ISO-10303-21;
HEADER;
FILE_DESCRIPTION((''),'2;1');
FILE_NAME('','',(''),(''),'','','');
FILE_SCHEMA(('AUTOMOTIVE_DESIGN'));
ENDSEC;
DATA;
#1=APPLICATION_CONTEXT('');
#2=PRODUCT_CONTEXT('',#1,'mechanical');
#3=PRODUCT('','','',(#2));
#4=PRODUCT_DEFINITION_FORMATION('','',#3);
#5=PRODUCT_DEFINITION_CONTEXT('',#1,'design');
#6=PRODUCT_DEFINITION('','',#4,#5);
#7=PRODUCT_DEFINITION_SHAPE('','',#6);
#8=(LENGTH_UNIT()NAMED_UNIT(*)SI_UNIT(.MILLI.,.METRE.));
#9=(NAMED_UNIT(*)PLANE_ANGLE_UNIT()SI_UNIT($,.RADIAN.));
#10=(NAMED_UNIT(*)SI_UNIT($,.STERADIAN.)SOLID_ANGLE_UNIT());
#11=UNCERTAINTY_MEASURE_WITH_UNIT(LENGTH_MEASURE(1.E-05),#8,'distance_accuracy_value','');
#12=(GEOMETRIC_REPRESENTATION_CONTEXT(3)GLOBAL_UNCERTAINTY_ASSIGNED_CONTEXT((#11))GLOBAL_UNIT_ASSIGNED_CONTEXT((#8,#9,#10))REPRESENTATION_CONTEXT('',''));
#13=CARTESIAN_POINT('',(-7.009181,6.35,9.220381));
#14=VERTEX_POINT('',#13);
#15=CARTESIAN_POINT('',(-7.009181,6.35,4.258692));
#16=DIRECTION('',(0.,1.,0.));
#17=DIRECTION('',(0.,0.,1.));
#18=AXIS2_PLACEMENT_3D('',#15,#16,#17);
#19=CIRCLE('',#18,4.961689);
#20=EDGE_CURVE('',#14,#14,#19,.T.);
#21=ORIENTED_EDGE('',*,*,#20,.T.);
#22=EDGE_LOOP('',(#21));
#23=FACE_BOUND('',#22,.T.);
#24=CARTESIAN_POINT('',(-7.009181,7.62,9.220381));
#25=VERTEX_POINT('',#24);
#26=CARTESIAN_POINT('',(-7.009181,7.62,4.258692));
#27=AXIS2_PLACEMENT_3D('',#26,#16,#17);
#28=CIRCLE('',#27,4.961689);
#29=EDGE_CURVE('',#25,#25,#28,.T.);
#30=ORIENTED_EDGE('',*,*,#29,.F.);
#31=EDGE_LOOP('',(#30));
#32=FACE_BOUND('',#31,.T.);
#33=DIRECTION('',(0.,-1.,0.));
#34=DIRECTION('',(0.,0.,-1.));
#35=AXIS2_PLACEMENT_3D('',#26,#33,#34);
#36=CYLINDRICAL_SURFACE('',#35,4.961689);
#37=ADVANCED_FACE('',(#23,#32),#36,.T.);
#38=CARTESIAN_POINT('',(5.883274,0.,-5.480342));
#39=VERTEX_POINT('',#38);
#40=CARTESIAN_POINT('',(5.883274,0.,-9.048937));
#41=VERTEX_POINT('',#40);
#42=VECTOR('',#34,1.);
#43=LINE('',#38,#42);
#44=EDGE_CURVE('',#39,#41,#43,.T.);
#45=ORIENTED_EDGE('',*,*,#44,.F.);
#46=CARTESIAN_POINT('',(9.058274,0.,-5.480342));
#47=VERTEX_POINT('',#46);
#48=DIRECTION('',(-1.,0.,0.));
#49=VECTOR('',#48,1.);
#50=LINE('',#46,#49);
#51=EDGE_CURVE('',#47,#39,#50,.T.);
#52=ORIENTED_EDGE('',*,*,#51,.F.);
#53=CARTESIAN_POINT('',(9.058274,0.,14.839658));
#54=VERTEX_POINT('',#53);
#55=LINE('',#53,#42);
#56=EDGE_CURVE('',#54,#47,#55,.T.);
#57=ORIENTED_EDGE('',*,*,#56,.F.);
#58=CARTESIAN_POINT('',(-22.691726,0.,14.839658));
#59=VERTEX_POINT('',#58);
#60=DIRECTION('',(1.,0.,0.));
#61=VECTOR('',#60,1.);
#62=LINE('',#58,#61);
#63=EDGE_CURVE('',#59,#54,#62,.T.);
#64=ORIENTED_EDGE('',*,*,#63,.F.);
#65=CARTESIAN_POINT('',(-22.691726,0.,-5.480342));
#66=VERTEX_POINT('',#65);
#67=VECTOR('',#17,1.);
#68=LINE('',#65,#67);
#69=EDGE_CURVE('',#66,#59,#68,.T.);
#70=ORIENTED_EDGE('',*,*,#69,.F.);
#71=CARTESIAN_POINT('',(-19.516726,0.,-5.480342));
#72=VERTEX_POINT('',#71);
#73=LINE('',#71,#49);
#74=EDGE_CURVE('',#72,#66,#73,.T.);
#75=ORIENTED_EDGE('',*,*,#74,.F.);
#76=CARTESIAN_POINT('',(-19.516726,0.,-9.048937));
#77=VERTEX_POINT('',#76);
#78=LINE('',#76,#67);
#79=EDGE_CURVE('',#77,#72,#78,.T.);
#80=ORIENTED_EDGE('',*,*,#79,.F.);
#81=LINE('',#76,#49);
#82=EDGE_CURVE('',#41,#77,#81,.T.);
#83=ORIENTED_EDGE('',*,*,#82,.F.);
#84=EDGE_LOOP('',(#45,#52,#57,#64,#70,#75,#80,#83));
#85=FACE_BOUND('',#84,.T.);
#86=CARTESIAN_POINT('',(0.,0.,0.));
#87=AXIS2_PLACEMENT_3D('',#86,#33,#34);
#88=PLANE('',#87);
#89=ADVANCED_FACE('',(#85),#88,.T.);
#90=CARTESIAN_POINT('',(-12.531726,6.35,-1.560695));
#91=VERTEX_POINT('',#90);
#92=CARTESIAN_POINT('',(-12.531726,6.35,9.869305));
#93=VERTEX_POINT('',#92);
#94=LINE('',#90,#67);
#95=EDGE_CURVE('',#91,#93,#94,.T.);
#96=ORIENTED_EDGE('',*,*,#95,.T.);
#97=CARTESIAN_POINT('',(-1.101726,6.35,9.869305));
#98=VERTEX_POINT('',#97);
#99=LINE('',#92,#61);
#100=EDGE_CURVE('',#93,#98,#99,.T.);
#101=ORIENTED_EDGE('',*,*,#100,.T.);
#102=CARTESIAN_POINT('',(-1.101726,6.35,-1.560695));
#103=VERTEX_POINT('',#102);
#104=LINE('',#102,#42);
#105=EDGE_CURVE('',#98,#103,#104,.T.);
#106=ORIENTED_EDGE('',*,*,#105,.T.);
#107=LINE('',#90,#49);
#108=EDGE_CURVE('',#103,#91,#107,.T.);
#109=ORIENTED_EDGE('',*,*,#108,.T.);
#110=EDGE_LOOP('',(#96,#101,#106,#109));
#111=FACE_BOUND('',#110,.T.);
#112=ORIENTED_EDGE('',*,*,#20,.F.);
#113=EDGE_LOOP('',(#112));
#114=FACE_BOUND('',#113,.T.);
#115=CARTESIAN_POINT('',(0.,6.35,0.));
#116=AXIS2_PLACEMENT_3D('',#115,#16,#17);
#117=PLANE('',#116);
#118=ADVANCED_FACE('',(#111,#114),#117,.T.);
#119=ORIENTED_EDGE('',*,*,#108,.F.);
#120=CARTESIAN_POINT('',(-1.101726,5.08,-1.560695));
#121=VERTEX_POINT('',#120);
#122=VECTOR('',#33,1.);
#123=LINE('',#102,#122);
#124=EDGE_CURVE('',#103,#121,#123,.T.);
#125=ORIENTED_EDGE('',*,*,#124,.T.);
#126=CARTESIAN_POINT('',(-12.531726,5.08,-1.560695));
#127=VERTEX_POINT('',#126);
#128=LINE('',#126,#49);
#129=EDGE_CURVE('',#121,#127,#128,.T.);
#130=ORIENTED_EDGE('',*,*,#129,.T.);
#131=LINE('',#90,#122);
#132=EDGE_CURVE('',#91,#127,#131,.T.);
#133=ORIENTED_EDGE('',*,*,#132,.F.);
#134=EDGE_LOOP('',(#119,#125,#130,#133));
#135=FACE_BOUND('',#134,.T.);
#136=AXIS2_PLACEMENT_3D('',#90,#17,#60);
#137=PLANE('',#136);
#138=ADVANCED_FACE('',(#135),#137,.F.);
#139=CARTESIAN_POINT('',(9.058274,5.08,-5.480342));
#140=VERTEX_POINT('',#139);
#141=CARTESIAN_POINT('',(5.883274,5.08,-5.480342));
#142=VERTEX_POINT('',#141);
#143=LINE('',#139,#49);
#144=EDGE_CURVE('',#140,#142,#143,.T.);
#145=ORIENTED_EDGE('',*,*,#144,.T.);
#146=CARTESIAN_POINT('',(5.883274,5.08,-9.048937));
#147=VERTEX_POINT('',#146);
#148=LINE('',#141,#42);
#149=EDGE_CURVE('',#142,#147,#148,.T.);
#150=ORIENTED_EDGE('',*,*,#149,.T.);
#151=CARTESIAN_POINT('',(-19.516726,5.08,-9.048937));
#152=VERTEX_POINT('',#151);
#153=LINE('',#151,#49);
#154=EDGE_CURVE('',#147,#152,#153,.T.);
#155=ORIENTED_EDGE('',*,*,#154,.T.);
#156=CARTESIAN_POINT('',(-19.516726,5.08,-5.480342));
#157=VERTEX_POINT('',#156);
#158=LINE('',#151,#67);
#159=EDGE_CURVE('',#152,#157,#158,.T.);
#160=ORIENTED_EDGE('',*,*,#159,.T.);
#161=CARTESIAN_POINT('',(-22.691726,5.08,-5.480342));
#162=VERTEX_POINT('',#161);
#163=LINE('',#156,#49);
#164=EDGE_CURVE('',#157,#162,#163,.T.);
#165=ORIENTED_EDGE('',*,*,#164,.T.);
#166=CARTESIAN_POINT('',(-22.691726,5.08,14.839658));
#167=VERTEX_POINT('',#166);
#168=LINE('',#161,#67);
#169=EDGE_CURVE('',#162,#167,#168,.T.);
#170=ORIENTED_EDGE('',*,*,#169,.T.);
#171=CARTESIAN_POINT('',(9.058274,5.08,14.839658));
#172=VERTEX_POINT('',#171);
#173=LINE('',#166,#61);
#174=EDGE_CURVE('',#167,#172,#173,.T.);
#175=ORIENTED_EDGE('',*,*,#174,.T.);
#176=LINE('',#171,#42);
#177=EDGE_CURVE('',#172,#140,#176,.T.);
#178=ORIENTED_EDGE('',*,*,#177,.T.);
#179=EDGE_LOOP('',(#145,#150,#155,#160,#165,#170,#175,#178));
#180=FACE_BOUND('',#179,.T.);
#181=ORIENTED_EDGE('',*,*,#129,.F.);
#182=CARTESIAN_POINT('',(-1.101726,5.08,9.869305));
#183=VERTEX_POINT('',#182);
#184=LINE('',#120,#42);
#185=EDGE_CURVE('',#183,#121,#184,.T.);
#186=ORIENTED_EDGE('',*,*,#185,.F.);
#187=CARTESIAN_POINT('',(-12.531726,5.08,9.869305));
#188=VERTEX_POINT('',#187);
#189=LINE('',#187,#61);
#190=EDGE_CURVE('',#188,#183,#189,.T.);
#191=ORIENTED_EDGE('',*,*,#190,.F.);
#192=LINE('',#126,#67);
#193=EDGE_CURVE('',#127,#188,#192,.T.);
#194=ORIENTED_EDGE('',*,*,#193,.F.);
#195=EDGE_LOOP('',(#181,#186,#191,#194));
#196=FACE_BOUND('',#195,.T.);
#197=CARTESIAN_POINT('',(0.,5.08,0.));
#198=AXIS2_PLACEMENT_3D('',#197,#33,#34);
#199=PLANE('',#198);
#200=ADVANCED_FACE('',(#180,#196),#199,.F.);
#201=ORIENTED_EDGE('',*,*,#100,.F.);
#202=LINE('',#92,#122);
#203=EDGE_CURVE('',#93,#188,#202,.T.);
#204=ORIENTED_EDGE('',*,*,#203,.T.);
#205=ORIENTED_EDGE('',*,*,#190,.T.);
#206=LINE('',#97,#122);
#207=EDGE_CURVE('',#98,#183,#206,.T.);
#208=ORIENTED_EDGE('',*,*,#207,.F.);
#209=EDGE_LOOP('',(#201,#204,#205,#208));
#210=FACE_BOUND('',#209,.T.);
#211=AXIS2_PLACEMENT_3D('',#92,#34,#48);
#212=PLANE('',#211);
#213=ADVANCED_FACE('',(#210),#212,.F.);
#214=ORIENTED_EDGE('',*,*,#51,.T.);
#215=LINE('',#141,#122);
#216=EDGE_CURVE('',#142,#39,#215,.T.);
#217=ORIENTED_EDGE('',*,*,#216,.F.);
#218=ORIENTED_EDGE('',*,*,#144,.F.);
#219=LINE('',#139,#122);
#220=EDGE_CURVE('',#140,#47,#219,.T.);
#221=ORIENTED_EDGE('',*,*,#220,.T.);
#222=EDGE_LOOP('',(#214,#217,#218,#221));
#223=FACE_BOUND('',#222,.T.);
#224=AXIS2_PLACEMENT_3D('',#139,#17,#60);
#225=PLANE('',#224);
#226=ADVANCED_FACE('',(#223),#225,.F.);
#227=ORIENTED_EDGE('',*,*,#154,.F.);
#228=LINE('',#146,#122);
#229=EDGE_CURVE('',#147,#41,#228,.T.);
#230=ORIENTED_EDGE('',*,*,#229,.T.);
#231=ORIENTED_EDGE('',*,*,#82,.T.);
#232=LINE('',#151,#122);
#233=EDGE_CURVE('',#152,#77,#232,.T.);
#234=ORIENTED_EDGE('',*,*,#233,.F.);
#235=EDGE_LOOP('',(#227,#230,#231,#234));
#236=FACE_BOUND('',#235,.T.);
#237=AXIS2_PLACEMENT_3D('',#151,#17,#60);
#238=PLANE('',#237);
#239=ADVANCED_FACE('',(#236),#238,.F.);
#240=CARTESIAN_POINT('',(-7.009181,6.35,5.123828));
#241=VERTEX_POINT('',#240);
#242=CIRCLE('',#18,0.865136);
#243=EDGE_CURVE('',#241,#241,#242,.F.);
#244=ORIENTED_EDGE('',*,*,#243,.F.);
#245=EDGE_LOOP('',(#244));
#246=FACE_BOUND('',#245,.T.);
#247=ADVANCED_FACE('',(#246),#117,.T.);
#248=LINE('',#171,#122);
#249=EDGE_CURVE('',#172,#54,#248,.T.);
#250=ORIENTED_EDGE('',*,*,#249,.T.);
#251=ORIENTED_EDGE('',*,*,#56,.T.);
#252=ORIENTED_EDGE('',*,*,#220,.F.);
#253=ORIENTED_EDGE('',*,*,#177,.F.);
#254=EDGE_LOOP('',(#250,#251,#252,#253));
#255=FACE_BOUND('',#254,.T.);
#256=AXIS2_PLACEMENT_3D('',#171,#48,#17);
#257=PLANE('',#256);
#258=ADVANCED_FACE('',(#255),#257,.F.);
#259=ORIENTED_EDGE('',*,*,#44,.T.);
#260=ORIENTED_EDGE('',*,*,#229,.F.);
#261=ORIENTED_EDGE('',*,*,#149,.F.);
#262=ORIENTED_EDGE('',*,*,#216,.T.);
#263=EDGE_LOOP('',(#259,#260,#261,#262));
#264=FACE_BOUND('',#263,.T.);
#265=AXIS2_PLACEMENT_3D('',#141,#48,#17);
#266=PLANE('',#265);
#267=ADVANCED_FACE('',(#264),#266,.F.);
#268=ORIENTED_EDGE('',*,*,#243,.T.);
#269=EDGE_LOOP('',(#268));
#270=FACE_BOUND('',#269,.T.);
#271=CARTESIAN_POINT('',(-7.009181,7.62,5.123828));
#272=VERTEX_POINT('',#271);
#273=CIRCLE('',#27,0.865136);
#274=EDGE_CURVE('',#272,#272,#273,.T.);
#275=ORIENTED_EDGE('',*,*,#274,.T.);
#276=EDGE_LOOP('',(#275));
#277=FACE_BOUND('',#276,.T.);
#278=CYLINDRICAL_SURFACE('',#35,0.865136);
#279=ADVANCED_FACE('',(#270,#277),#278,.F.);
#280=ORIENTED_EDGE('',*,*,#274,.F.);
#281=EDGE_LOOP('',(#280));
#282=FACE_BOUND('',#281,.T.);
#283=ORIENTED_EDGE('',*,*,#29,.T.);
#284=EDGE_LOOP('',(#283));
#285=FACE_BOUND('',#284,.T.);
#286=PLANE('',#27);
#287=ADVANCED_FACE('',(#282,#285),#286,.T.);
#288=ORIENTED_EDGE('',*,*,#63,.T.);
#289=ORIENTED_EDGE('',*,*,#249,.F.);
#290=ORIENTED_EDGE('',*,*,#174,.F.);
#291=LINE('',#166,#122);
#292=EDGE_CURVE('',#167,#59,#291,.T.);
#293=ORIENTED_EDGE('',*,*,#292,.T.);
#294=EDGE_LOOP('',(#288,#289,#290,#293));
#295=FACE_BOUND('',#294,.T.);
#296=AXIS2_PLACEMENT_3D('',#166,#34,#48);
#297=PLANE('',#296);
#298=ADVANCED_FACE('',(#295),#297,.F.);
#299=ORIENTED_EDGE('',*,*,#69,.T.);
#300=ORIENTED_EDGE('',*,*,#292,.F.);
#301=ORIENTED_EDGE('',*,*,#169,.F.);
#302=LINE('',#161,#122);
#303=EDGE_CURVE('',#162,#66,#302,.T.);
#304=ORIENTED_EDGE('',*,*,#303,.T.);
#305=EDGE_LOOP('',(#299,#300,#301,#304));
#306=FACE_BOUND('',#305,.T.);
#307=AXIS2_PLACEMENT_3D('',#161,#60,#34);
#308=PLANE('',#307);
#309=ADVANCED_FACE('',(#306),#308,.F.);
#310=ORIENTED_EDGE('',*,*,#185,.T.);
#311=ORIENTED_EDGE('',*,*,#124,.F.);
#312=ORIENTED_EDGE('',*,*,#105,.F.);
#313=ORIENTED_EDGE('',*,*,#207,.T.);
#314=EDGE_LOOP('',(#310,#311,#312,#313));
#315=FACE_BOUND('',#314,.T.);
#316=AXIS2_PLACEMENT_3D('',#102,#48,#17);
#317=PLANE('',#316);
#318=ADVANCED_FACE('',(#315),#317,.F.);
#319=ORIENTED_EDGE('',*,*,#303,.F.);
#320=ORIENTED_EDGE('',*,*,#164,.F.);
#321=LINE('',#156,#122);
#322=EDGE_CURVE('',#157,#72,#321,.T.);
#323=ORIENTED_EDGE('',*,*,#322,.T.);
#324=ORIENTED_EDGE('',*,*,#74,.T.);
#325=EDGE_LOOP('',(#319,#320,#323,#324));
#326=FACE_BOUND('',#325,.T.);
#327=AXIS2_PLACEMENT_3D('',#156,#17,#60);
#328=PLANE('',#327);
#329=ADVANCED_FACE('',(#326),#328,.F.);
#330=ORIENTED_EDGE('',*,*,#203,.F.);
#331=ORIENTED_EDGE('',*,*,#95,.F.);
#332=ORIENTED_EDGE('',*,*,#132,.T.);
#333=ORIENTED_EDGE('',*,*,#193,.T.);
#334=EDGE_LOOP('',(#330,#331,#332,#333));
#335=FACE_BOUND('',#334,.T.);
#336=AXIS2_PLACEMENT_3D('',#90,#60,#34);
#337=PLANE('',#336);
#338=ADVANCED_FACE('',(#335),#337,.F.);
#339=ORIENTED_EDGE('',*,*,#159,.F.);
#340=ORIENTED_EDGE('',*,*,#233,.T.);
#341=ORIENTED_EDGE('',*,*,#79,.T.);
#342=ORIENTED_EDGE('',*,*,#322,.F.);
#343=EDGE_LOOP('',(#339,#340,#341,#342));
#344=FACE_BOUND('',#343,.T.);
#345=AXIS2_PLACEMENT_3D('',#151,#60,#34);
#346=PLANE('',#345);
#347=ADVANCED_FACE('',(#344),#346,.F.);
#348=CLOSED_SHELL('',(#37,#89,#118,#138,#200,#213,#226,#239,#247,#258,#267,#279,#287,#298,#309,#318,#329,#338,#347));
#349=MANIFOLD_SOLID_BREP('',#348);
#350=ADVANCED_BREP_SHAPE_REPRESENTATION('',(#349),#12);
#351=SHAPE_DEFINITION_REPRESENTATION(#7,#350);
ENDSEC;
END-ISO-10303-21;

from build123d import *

# Parameters (mm, degrees)
BOSS_EXTRUDE1_DEPTH = 5.08
SKETCH3_W           = 11.43
SKETCH3_H           = 11.43
BOSS_EXTRUDE2_DEPTH = 1.27
SKETCH5_R           = 4.961688794
SKETCH5_R_2         = 0.865135847
BOSS_EXTRUDE3_DEPTH = 1.27


with BuildPart() as part:
    # Sketch1 → Boss-Extrude1 (new body)
    with BuildSketch(Plane(origin=(0, 0, 0), x_dir=(1, 0, 0), z_dir=(0, 1, 0))):
        Polygon((-19.516726296, 9.048937426), (5.883273704, 9.048937426), (5.883273704, 5.480342385), (9.058273704, 5.480342385), (9.058273704, -14.839657615), (-22.691726296, -14.839657615), (-22.691726296, 5.480342385), (-19.516726296, 5.480342385), align=None)
    extrude(amount=BOSS_EXTRUDE1_DEPTH)

    # Sketch3 → Boss-Extrude2 (add)
    with BuildSketch(Plane(origin=(0, 5.08, 0), x_dir=(1, 0, 0), z_dir=(0, 1, 0))):
        with Locations((-6.816726296, -4.154305268)):
            Rectangle(SKETCH3_W, SKETCH3_H)
    extrude(amount=BOSS_EXTRUDE2_DEPTH)

    # Sketch5 → Boss-Extrude3 (add)
    with BuildSketch(Plane(origin=(0, 6.35, 0), x_dir=(1, 0, 0), z_dir=(0, 1, 0))):
        with Locations(Location((-7.009181054, -4.258692446, 0), (0, 0, 270))):
            Circle(SKETCH5_R)
        with Locations(Location((-7.009181054, -4.258692446, 0), (0, 0, 270))):
            Circle(SKETCH5_R_2, mode=Mode.SUBTRACT)
    extrude(amount=BOSS_EXTRUDE3_DEPTH)


solid = part.part
